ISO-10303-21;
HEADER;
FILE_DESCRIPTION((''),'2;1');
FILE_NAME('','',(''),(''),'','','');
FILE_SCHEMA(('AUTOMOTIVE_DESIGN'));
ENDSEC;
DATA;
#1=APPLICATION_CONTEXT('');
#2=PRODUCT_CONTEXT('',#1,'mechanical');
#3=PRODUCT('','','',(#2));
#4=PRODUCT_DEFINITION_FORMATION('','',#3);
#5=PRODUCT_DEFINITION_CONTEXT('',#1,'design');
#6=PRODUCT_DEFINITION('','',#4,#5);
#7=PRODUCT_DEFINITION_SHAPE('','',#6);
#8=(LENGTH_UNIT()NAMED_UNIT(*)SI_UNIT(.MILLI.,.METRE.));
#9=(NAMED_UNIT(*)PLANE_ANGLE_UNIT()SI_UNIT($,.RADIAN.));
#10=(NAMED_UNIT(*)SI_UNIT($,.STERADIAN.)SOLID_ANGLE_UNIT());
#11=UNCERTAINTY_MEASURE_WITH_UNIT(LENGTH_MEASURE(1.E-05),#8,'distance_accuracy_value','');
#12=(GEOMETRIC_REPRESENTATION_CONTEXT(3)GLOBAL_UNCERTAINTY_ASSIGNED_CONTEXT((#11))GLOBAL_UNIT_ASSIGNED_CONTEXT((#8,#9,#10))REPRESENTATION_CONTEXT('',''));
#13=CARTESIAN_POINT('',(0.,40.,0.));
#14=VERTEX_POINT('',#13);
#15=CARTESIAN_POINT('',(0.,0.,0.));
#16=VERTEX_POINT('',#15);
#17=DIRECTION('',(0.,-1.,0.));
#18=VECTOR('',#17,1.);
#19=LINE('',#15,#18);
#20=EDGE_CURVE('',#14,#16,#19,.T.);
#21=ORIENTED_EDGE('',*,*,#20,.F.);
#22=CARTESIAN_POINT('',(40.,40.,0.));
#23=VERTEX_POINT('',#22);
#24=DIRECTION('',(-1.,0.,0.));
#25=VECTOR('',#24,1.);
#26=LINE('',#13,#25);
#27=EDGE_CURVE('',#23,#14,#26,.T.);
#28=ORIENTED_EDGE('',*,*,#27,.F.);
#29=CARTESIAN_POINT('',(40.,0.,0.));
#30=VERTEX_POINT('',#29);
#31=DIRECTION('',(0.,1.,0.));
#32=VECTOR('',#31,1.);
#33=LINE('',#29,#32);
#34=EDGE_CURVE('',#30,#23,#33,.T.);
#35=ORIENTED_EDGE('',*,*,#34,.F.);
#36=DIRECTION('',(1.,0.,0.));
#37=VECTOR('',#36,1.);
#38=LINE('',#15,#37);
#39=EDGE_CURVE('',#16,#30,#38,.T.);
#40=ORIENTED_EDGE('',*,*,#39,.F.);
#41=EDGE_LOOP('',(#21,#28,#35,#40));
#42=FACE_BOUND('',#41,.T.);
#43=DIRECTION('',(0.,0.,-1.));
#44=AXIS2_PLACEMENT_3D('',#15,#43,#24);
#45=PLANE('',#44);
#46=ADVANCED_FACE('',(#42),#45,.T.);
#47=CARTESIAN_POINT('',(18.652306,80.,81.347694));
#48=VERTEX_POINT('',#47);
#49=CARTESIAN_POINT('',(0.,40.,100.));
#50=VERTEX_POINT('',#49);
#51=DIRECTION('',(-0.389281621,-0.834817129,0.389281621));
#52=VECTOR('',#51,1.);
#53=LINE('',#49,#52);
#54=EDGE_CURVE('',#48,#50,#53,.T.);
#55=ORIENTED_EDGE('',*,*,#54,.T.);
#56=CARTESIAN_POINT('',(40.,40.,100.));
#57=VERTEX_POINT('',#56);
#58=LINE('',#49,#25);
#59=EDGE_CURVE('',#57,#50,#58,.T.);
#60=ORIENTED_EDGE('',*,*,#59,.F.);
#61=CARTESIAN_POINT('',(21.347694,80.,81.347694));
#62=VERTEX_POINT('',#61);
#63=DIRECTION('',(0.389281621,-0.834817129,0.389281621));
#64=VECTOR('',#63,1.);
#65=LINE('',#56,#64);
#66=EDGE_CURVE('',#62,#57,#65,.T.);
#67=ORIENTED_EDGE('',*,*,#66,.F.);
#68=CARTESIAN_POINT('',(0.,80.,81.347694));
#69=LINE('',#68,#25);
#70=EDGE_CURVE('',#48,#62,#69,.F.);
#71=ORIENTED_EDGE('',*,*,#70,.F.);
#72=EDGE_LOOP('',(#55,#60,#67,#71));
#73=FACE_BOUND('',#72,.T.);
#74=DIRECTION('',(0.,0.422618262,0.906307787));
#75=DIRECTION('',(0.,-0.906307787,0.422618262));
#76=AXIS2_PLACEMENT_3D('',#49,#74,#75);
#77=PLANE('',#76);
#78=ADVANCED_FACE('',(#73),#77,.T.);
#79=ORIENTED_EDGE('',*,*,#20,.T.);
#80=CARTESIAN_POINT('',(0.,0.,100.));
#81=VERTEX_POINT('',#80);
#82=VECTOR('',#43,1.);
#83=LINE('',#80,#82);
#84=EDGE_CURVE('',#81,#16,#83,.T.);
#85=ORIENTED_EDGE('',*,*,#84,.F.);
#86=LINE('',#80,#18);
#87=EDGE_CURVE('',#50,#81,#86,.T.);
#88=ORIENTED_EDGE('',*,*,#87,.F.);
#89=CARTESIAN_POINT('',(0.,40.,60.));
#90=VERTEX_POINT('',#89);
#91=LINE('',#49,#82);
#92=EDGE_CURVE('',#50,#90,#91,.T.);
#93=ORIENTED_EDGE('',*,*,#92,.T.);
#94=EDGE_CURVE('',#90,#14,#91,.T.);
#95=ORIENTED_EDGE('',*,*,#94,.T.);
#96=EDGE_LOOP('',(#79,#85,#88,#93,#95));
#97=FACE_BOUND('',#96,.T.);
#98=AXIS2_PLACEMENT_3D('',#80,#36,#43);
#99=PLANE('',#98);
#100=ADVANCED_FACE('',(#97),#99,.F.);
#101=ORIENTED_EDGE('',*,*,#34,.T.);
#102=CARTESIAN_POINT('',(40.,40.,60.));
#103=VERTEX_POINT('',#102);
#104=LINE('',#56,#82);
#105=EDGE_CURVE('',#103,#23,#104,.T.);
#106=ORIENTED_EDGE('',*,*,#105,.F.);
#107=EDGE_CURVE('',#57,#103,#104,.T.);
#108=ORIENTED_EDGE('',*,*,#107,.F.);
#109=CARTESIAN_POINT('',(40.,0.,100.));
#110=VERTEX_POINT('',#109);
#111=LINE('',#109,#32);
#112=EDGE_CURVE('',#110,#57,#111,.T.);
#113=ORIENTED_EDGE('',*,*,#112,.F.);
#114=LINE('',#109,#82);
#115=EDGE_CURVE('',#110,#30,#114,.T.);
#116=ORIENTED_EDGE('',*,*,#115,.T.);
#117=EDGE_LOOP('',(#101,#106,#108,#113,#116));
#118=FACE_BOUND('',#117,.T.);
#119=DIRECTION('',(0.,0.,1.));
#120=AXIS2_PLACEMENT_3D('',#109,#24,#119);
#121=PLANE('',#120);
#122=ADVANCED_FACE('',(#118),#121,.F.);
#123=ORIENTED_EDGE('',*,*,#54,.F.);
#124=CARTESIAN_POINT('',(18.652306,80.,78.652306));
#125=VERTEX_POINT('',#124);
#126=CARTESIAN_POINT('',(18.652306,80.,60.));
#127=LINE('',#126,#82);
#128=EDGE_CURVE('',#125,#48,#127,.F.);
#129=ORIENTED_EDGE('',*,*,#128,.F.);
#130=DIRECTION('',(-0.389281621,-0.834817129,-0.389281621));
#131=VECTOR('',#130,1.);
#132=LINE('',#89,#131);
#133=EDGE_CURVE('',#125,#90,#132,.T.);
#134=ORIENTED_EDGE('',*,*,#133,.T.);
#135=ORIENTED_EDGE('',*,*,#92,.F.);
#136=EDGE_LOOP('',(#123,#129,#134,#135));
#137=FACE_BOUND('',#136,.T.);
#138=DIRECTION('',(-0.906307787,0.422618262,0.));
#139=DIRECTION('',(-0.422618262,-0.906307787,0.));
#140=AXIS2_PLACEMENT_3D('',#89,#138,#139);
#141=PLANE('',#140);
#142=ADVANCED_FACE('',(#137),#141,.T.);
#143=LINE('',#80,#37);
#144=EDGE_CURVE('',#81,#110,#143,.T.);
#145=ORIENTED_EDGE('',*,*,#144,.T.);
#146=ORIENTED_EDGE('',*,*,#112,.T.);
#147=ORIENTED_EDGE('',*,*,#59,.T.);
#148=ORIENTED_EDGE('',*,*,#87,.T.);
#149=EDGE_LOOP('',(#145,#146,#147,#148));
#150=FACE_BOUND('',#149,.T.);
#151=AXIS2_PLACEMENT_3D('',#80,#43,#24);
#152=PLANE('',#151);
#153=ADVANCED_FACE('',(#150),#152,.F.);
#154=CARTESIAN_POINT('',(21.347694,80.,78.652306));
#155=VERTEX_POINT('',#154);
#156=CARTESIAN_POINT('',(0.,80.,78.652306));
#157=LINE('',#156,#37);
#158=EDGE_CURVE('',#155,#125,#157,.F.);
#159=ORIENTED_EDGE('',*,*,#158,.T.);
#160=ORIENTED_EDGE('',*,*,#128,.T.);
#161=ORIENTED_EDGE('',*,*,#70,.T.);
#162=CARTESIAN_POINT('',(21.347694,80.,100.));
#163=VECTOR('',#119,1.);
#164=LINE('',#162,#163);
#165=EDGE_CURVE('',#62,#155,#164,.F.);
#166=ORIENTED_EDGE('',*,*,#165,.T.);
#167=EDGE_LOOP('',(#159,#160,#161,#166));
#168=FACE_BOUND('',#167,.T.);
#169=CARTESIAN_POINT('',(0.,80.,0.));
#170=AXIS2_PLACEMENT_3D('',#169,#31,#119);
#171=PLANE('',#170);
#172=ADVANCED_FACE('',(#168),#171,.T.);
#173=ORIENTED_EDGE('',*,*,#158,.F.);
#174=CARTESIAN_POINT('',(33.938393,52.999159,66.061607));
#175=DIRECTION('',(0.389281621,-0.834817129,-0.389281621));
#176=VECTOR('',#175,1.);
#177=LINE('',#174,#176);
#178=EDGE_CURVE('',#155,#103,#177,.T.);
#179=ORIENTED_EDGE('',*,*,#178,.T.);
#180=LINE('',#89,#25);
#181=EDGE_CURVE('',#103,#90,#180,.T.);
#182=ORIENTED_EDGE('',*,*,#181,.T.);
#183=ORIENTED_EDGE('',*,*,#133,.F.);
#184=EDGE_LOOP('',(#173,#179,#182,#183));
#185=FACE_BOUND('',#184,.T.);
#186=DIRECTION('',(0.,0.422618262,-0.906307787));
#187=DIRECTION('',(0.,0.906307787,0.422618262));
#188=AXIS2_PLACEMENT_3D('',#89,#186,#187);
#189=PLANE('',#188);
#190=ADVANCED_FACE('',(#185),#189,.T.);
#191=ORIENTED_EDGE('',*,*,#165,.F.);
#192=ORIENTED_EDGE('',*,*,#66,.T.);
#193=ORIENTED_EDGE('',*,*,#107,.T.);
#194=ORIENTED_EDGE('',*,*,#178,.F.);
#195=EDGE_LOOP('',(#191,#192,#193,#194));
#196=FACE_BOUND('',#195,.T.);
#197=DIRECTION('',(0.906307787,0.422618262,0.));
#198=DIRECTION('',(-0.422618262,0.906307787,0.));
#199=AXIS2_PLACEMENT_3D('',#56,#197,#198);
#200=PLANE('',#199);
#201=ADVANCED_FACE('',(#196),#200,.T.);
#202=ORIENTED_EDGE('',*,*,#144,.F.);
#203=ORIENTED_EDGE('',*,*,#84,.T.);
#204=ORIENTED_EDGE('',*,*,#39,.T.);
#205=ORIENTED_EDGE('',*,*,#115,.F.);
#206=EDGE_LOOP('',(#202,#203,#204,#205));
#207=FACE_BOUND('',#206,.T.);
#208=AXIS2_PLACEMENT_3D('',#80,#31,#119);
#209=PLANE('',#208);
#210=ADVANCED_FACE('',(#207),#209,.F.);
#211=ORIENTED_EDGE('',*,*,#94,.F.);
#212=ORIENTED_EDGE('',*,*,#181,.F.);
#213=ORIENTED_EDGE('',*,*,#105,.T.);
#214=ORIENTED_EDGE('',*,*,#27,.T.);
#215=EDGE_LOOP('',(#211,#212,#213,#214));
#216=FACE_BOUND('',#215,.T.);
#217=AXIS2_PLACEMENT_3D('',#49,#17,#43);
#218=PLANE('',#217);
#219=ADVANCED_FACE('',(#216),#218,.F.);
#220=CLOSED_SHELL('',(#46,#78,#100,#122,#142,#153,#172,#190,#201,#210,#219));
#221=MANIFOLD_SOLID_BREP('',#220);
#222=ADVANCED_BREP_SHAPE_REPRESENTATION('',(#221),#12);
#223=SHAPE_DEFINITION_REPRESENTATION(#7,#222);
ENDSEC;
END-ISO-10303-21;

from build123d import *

# Parameters (mm, degrees)
SKETCH1_W           = 40
SKETCH1_H           = 40
BOSS_EXTRUDE1_DEPTH = 100
SKETCH2_W           = 40
SKETCH2_H           = 40
BOSS_EXTRUDE2_DEPTH = 40
BOSS_EXTRUDE2_TAPER = 25


with BuildPart() as part:
    # Sketch1 → Boss-Extrude1 (new body)
    with BuildSketch(Plane.XY):
        with Locations((20, 20)):
            Rectangle(SKETCH1_W, SKETCH1_H)
    extrude(amount=BOSS_EXTRUDE1_DEPTH)

    # Sketch2 → Boss-Extrude2 (add)
    with BuildSketch(Plane(origin=(0, 40, 0), x_dir=(1, 0, 0), z_dir=(0, 1, 0))):
        with Locations((20, -80)):
            Rectangle(SKETCH2_W, SKETCH2_H)
    extrude(amount=BOSS_EXTRUDE2_DEPTH, taper=BOSS_EXTRUDE2_TAPER)


solid = part.part
